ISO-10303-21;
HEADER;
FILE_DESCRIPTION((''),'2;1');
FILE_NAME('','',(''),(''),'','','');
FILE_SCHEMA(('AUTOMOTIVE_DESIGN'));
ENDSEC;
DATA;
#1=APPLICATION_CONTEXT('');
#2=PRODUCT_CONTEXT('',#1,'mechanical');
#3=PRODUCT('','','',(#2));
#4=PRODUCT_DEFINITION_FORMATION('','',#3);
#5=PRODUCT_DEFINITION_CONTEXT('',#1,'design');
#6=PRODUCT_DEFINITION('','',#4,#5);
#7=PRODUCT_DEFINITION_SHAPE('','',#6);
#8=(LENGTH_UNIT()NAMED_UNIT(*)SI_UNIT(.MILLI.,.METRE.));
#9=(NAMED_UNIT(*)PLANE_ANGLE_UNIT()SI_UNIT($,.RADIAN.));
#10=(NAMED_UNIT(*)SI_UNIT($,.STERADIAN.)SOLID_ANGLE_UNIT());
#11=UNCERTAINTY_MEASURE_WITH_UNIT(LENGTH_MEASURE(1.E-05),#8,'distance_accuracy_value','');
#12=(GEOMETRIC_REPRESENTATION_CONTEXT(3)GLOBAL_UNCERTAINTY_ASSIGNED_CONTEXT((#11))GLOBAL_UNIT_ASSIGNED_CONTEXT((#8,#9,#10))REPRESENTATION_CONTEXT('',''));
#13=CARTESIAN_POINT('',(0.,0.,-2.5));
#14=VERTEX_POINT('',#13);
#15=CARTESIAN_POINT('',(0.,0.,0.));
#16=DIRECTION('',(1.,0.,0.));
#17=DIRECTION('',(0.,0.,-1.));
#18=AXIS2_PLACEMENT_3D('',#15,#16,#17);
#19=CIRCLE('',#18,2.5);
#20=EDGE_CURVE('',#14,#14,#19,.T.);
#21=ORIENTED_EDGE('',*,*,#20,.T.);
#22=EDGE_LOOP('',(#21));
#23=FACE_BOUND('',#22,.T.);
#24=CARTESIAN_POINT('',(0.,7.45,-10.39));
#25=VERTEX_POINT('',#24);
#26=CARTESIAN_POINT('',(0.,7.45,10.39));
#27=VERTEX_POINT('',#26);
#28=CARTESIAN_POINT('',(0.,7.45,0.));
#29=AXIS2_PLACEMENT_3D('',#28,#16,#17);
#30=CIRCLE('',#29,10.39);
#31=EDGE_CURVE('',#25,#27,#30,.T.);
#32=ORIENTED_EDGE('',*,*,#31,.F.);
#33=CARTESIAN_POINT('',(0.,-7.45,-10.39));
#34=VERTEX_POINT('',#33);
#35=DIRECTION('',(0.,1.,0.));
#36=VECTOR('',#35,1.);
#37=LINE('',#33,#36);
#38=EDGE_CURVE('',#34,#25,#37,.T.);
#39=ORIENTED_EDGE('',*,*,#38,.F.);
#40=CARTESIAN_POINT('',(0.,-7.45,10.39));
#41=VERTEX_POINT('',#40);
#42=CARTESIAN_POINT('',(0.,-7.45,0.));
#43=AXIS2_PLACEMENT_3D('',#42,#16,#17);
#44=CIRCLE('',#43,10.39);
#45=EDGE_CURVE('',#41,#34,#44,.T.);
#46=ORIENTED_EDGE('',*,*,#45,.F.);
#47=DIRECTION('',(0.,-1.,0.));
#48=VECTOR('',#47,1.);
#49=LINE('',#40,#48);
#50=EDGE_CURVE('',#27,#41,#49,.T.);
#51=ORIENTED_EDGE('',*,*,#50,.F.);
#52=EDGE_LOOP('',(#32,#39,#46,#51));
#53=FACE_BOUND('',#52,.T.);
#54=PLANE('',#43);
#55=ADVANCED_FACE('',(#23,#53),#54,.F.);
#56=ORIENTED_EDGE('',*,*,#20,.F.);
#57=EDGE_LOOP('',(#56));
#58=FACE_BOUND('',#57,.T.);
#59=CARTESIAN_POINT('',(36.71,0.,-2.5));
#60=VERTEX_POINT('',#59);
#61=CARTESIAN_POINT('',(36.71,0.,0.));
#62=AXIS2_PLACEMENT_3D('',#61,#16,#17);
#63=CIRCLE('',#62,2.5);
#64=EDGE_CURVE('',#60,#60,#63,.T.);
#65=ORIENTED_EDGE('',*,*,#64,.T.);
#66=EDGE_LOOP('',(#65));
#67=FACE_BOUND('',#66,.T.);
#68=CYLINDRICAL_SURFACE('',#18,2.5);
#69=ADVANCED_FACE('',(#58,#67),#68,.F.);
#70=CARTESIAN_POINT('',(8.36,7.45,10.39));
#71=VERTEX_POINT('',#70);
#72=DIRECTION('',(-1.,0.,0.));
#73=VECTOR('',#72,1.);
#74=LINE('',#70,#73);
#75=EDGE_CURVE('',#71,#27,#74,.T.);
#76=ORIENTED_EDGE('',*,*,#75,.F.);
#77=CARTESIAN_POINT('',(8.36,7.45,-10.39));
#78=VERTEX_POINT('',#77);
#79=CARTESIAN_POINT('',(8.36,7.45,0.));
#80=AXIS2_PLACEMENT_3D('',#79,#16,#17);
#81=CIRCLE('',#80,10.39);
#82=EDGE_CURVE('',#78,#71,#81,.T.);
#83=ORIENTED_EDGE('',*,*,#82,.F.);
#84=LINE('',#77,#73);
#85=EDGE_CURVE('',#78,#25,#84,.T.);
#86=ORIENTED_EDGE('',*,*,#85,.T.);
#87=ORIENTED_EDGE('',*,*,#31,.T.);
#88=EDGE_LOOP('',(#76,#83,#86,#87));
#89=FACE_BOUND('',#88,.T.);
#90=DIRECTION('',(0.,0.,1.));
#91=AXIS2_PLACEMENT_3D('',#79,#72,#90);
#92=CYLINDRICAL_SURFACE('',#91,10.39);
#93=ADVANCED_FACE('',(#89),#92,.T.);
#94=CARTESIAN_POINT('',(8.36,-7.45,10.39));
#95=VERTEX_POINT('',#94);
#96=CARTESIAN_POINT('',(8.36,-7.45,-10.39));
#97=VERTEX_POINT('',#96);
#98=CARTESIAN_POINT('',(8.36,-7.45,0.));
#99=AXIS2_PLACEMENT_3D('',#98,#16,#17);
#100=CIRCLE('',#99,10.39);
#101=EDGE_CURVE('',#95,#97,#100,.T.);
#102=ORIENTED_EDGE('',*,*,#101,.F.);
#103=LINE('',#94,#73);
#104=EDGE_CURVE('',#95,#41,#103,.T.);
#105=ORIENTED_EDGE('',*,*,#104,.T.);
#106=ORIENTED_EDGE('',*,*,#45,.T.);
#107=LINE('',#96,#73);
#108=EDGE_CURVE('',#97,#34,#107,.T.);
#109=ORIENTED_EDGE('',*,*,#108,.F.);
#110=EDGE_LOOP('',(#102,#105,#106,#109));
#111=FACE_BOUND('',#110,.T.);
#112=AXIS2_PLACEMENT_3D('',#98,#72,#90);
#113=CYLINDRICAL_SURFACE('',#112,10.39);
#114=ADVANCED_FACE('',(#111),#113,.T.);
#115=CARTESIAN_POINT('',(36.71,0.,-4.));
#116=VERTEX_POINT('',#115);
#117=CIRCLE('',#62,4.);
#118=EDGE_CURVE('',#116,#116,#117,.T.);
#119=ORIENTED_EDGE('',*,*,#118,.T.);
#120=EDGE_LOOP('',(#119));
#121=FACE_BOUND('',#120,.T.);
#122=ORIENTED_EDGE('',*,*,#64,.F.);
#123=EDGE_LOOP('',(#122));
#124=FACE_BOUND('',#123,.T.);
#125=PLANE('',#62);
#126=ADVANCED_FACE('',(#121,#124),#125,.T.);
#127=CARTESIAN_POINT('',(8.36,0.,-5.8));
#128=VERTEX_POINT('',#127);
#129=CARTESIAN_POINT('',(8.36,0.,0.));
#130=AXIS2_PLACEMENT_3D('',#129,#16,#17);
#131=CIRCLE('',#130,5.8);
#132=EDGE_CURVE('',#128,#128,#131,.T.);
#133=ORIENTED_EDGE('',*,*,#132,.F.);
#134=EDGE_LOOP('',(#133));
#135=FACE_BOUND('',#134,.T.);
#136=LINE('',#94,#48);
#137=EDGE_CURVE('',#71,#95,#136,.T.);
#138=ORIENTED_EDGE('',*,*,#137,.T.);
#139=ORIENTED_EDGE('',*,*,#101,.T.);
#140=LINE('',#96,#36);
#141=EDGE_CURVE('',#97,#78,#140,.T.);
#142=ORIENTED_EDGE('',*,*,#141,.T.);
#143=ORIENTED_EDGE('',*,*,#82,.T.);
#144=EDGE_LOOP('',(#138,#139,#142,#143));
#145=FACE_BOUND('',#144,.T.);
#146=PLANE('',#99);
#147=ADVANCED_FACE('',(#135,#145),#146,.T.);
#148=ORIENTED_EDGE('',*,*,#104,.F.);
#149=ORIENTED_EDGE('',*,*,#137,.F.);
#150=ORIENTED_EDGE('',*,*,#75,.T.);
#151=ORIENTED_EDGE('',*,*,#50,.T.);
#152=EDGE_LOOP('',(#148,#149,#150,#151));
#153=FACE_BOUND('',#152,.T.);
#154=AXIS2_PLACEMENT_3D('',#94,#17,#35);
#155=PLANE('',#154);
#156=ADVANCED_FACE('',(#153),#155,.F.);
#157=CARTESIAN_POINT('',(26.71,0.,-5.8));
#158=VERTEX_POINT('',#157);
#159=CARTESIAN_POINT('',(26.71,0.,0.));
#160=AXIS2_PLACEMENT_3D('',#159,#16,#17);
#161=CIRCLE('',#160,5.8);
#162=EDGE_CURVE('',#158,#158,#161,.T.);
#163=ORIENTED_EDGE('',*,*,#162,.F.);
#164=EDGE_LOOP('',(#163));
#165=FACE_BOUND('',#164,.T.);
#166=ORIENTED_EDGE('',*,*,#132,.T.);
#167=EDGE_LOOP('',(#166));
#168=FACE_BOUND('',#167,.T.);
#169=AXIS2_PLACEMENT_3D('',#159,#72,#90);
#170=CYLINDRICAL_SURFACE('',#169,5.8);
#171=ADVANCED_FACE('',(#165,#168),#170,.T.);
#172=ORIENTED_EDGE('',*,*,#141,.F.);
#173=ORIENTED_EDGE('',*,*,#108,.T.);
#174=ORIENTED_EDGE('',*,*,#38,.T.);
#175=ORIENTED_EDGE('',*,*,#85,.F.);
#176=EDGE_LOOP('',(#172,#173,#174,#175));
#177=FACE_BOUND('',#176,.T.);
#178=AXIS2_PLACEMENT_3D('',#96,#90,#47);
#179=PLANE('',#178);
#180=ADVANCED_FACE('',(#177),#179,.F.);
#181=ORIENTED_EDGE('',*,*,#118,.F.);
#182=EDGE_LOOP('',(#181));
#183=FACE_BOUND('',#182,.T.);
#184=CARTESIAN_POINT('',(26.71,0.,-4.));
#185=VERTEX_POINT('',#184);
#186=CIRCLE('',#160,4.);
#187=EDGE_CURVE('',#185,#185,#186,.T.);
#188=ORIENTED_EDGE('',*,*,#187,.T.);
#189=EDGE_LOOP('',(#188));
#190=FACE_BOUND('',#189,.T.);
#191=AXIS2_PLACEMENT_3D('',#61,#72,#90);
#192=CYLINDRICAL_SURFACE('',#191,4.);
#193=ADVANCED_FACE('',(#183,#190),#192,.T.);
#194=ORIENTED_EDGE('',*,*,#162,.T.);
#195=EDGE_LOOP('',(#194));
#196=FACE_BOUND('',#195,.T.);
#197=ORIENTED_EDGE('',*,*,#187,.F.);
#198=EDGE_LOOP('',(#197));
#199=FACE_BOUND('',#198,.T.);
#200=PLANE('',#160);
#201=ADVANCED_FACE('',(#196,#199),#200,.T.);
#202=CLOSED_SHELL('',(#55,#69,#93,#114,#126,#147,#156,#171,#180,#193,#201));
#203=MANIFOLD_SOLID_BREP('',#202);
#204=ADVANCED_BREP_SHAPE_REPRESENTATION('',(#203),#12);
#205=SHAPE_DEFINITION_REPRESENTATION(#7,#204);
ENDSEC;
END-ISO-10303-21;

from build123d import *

# Parameters (mm, degrees)
BOSS_EXTRUDE1_DEPTH = 8.36
SKETCH2_R           = 5.8
BOSS_EXTRUDE2_DEPTH = 18.35
SKETCH3_R           = 4
BOSS_EXTRUDE3_DEPTH = 10
SKETCH4_R           = 2.5
CUT_EXTRUDE1_DEPTH  = 43.117001318


with BuildPart() as part:
    # Sketch1 → Boss-Extrude1 (new body)
    with BuildSketch(Plane.YZ):
        with BuildLine():
            Line((-7.45, 10.39), (7.45, 10.39))
            ThreePointArc((7.45, 10.39), (17.84, 0), (7.45, -10.39))
            Line((7.45, -10.39), (-7.45, -10.39))
            ThreePointArc((-7.45, -10.39), (-17.84, 0), (-7.45, 10.39))
        make_face()
    extrude(amount=BOSS_EXTRUDE1_DEPTH)

    # Sketch2 → Boss-Extrude2 (add)
    with BuildSketch(Plane.YZ.offset(8.36)):
        with Locations(Location((0, 0, 0), (0, 0, 270))):
            Circle(SKETCH2_R)
    extrude(amount=BOSS_EXTRUDE2_DEPTH)

    # Sketch3 → Boss-Extrude3 (add)
    with BuildSketch(Plane.YZ.offset(26.71)):
        with Locations(Location((0, 0, 0), (0, 0, 270))):
            Circle(SKETCH3_R)
    extrude(amount=BOSS_EXTRUDE3_DEPTH)

    # Sketch4 → Cut-Extrude1 (cut, through all)
    with BuildSketch(Plane.YZ.offset(36.71)):
        with Locations(Location((0, 0, 0), (0, 0, 270))):
            Circle(SKETCH4_R)
    extrude(amount=-CUT_EXTRUDE1_DEPTH, mode=Mode.SUBTRACT)


solid = part.part
